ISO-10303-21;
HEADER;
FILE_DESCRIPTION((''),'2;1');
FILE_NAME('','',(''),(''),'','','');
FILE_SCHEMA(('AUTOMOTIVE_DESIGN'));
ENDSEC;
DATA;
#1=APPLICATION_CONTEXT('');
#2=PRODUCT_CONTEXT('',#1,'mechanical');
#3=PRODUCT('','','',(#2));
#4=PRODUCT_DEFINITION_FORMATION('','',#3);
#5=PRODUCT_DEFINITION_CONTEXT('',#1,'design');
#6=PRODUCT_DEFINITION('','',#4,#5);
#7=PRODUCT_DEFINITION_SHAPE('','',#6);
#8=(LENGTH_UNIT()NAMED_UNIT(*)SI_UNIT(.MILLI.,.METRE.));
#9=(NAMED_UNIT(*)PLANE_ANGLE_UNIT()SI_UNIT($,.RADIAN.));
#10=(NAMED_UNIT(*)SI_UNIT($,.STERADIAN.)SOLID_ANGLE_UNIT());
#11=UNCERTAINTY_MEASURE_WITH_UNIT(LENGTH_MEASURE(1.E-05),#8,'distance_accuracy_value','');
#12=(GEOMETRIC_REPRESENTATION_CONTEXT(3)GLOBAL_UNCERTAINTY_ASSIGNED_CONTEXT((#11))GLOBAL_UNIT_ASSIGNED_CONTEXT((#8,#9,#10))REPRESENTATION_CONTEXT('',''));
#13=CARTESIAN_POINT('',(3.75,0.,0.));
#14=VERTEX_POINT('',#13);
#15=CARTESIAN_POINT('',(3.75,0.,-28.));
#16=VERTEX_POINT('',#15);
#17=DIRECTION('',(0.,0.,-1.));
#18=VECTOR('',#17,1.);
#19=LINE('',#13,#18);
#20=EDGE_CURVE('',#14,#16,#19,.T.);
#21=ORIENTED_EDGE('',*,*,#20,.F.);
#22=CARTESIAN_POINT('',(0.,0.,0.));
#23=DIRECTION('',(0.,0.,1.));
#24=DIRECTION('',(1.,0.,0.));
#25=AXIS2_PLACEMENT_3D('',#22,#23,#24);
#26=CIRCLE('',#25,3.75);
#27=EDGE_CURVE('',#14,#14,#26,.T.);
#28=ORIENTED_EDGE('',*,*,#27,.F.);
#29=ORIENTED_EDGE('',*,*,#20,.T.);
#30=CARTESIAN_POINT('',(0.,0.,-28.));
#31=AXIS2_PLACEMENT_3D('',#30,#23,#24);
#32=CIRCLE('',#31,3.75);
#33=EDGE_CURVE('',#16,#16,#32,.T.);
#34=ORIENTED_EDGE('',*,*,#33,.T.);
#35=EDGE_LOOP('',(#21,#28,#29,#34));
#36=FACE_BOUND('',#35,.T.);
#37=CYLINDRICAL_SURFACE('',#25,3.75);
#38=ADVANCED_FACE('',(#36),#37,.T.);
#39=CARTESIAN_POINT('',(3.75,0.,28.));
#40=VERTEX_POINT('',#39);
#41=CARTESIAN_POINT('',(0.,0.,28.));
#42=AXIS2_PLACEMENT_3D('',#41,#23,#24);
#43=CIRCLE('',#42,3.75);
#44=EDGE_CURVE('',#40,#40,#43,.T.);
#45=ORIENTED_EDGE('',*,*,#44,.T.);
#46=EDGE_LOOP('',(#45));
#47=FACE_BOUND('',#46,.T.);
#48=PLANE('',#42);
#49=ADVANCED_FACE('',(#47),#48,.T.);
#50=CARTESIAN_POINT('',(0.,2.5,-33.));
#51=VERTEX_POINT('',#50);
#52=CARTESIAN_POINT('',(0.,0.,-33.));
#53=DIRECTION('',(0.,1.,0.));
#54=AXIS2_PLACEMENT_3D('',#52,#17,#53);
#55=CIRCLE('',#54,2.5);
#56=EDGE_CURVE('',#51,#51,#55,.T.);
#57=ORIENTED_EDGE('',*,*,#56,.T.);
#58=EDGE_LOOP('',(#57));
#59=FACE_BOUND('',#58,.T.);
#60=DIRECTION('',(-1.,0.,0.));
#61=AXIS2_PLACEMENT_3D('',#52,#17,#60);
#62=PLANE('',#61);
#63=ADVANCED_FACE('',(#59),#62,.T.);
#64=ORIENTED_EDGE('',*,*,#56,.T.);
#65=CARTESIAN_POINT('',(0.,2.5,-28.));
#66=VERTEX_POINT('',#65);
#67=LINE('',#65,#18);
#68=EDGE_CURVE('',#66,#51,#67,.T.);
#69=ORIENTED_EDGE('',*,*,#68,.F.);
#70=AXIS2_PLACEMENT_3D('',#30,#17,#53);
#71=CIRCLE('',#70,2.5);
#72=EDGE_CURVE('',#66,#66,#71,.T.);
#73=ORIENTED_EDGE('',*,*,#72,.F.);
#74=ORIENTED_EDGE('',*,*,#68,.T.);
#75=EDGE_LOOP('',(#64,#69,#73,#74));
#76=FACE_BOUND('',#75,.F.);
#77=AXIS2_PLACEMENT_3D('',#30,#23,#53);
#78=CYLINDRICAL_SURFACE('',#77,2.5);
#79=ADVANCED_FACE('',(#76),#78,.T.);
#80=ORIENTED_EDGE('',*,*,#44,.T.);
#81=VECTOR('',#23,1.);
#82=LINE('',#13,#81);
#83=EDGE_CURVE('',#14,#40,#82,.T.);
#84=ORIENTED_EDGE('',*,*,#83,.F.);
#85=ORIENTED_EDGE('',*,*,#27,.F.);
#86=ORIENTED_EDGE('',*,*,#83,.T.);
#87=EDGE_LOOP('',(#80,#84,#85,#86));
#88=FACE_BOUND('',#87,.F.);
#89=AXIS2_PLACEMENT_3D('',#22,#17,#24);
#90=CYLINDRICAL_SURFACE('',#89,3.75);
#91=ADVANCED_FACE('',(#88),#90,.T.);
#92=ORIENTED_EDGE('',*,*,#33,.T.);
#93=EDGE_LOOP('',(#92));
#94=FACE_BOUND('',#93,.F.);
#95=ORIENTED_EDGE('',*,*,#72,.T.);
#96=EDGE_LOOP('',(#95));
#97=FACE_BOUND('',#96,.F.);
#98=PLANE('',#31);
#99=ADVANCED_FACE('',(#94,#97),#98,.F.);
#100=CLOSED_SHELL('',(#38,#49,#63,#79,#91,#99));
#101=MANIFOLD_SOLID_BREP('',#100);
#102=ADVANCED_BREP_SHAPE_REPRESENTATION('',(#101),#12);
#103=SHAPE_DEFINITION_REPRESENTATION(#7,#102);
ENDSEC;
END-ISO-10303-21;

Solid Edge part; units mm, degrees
sketch "Sketch1" plane through (0, 0, 0) normal (0, 0, 1) x (1, 0, 0)
  circle A0 centre (0, 0) radius 3.75
extrude "Protrusion1" add sketch "Sketch1" along normal mid plane 56
sketch "Sketch2" plane through (0, 0, -28) normal (0, 0, -1) x (0, 1, 0)
  circle A0 centre (0, 0) radius 2.5
extrude "ExtrudedProtrusion_2" add sketch "Sketch2" along normal blind 5 and the other way blind 12.5
